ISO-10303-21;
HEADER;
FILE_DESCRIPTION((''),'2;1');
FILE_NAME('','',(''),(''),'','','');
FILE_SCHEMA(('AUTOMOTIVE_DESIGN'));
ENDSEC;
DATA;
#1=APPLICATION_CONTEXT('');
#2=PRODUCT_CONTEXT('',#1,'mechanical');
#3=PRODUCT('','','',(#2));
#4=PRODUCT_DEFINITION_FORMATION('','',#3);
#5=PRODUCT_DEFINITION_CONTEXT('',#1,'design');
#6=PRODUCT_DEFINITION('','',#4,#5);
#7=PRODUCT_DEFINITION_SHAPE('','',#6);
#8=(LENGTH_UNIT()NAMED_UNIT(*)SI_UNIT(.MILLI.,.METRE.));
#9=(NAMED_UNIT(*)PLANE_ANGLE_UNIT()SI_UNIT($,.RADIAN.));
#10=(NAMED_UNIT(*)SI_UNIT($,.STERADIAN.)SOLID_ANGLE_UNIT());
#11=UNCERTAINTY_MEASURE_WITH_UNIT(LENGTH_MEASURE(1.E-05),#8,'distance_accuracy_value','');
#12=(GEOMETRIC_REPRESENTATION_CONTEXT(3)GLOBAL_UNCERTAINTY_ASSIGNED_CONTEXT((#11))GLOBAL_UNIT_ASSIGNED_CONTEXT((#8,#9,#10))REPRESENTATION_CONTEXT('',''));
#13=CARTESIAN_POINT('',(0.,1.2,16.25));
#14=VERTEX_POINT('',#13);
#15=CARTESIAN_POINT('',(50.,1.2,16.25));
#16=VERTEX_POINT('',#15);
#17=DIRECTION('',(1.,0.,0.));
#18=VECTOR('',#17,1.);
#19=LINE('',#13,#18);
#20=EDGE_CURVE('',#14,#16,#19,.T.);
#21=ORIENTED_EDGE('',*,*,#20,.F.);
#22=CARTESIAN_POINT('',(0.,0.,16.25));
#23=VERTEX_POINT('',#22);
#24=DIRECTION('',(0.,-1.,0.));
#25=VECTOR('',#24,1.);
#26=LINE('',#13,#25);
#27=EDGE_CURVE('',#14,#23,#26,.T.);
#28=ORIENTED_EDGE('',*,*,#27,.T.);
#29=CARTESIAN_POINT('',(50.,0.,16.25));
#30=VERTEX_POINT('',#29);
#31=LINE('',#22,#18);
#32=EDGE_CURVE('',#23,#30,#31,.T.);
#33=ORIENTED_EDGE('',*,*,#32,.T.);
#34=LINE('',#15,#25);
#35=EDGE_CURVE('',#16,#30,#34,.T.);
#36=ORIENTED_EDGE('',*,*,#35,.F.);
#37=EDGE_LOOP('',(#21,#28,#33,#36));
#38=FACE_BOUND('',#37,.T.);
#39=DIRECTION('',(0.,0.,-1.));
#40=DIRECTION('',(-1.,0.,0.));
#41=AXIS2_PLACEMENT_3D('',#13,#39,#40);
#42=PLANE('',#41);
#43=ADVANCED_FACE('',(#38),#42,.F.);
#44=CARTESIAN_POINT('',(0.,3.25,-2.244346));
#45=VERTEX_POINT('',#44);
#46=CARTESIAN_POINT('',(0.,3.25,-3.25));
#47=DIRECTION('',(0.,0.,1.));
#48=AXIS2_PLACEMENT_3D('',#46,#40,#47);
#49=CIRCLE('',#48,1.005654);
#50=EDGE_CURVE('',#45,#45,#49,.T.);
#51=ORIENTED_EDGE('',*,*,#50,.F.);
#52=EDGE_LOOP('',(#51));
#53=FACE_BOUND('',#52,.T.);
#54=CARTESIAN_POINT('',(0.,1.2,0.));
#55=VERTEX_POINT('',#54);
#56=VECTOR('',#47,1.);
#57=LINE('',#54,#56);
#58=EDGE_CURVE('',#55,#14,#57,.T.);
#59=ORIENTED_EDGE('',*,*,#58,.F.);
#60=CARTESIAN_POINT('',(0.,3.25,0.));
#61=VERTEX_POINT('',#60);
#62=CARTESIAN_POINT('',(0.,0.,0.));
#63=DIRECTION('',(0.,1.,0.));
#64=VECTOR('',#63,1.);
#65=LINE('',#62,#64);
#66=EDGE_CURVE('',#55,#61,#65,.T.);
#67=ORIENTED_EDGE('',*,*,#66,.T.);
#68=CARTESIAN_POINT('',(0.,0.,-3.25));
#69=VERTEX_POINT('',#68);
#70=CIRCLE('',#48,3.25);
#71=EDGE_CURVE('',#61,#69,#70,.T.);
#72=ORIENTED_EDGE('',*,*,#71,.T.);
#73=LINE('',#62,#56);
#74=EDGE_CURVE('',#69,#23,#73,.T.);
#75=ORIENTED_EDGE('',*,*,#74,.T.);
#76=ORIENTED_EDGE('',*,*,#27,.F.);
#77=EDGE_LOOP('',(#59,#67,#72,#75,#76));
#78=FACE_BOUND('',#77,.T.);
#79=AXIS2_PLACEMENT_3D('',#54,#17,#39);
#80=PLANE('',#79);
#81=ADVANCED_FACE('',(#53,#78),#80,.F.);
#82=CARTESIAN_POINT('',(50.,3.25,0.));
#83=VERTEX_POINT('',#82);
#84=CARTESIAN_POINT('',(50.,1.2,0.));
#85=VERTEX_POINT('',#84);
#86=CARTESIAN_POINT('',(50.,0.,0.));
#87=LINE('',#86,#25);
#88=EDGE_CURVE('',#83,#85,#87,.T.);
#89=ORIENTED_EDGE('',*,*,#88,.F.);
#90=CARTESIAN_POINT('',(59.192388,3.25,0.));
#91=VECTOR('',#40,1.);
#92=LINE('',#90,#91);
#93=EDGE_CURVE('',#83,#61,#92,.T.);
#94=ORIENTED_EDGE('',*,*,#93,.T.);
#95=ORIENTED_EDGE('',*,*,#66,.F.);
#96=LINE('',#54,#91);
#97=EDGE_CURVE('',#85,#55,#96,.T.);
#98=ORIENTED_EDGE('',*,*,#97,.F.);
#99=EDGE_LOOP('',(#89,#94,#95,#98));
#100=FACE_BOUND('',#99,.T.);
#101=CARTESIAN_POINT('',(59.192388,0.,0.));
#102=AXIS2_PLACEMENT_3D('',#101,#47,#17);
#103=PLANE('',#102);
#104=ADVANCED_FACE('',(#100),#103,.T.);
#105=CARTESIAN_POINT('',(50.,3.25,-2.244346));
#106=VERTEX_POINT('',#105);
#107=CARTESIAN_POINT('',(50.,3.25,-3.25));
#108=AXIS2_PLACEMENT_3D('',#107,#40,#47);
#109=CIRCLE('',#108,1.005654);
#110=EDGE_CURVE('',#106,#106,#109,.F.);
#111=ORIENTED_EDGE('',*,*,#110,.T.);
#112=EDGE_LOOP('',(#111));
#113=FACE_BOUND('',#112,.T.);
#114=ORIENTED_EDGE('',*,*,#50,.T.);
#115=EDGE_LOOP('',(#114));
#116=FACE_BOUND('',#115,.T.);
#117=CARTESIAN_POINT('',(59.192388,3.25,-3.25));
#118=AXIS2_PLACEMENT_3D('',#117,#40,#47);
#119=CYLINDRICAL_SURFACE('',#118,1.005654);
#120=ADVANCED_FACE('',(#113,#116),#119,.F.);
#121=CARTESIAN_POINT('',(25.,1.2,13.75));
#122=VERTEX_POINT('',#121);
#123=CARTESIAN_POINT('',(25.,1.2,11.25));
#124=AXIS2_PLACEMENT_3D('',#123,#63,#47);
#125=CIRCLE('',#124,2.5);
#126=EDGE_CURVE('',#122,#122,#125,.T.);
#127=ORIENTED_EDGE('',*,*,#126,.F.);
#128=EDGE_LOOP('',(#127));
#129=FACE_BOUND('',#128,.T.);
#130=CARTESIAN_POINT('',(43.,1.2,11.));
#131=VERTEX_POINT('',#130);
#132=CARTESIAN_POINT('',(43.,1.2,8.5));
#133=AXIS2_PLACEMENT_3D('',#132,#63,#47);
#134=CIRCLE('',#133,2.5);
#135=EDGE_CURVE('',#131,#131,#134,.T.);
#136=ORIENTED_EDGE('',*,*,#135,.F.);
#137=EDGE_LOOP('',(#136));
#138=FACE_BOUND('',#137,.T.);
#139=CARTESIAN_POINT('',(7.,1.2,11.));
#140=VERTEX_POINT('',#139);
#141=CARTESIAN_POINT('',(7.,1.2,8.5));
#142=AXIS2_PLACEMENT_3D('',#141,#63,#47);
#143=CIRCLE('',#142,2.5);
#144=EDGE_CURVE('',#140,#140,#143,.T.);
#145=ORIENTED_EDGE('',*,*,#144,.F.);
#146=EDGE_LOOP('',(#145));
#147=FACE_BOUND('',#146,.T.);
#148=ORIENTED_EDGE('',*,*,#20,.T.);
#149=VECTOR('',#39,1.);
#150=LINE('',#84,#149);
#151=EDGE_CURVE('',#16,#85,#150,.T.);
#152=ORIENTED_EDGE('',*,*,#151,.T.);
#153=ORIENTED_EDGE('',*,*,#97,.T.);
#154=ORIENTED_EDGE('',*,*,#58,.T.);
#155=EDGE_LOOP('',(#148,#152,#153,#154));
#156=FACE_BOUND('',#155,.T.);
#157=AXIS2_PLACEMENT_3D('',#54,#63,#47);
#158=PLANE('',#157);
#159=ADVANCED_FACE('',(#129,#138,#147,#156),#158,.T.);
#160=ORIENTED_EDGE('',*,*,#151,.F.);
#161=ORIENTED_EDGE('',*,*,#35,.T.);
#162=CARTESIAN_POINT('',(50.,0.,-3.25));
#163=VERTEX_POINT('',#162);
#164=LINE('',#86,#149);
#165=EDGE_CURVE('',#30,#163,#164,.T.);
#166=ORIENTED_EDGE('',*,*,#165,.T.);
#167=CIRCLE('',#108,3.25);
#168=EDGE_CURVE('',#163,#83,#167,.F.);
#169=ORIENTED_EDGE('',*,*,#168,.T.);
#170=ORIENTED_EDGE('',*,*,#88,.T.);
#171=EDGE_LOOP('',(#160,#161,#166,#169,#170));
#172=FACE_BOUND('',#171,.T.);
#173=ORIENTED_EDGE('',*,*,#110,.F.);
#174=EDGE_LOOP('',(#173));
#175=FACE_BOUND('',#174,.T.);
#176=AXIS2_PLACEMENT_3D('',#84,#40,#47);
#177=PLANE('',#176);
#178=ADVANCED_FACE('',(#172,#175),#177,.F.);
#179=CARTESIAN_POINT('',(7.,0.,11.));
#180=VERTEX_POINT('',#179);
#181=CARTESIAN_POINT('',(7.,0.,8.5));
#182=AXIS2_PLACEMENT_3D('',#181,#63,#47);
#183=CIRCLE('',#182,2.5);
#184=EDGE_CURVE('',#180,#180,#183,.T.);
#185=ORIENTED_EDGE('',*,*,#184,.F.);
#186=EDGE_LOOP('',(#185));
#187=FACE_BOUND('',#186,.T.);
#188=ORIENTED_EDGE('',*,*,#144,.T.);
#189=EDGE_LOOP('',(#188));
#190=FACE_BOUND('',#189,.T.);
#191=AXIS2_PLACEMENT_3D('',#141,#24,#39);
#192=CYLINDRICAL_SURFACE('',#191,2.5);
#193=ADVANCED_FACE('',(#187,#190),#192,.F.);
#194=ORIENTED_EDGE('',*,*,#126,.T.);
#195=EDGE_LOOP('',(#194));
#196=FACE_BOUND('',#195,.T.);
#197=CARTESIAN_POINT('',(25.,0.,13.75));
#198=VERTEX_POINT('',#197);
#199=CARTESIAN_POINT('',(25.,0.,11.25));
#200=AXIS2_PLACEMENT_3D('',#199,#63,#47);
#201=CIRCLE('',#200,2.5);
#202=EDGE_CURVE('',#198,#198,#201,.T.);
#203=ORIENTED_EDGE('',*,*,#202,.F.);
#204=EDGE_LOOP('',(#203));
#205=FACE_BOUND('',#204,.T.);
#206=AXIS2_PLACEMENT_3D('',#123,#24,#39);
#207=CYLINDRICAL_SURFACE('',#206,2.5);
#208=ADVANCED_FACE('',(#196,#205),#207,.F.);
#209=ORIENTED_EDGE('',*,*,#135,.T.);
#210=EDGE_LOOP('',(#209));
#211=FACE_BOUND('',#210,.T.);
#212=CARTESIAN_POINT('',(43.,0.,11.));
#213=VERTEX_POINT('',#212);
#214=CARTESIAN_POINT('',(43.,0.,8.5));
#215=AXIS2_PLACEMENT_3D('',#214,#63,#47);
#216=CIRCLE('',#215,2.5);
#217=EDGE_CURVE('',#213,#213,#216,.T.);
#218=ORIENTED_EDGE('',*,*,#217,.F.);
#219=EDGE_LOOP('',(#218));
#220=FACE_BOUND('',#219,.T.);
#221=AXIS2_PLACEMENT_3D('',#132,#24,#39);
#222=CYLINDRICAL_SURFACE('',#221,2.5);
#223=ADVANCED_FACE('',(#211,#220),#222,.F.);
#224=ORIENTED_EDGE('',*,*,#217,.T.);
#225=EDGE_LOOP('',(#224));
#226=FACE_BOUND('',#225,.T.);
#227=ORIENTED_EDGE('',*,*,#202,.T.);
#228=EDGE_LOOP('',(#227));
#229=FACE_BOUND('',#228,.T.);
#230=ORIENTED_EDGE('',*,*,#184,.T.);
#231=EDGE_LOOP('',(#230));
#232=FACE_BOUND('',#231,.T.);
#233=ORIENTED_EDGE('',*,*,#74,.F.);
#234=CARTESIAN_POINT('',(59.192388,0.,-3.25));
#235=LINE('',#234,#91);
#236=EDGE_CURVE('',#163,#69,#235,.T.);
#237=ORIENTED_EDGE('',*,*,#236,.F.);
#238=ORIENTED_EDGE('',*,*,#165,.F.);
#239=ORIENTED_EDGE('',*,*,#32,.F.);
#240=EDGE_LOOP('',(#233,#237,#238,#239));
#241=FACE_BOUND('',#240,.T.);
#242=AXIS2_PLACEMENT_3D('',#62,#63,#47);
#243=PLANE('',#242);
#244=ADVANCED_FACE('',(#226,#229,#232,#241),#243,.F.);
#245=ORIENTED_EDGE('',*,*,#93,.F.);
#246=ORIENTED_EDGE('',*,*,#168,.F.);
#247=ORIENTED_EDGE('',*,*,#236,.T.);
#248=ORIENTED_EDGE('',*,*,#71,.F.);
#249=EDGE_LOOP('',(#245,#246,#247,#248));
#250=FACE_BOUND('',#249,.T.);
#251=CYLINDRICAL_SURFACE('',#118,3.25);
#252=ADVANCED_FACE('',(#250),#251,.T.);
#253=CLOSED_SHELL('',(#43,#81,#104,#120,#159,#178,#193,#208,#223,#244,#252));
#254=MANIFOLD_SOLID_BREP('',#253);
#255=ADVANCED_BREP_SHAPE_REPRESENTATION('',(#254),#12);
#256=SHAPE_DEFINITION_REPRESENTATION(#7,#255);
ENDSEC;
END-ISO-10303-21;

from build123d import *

# Parameters (mm, degrees)
SKETCH_1_W      = 50
SKETCH_1_H      = 16.25
SKETCH_1_R      = 2.5
EXTRUDE_1_DEPTH = 1.2
SKETCH_2_R      = 1.005653766
EXTRUDE_2_DEPTH = 50


with BuildPart() as part:
    # 草图1 → 凸台-拉伸1 (new body)
    with BuildSketch(Plane(origin=(0, 0, 0), x_dir=(1, 0, 0), z_dir=(0, 1, 0))):
        with Locations((25, -8.125)):
            Rectangle(SKETCH_1_W, SKETCH_1_H)
        with Locations(Location((7, -8.5, 0), (0, 0, 270))):
            Circle(SKETCH_1_R, mode=Mode.SUBTRACT)
        with Locations(Location((43, -8.5, 0), (0, 0, 270))):
            Circle(SKETCH_1_R, mode=Mode.SUBTRACT)
        with Locations(Location((25, -11.25, 0), (0, 0, 270))):
            Circle(SKETCH_1_R, mode=Mode.SUBTRACT)
    extrude(amount=EXTRUDE_1_DEPTH)

    # 草图2 → 凸台-拉伸2 (add)
    with BuildSketch(Plane.ZY):
        with BuildLine():
            Line((0, 0), (-3.25, 0))
            ThreePointArc((-3.25, 0), (-5.548097039, 5.548097039), (0, 3.25))
            Line((0, 3.25), (0, 0))
        make_face()
        with Locations((-3.25, 3.25)):
            Circle(SKETCH_2_R, mode=Mode.SUBTRACT)
    extrude(amount=-EXTRUDE_2_DEPTH)


solid = part.part
